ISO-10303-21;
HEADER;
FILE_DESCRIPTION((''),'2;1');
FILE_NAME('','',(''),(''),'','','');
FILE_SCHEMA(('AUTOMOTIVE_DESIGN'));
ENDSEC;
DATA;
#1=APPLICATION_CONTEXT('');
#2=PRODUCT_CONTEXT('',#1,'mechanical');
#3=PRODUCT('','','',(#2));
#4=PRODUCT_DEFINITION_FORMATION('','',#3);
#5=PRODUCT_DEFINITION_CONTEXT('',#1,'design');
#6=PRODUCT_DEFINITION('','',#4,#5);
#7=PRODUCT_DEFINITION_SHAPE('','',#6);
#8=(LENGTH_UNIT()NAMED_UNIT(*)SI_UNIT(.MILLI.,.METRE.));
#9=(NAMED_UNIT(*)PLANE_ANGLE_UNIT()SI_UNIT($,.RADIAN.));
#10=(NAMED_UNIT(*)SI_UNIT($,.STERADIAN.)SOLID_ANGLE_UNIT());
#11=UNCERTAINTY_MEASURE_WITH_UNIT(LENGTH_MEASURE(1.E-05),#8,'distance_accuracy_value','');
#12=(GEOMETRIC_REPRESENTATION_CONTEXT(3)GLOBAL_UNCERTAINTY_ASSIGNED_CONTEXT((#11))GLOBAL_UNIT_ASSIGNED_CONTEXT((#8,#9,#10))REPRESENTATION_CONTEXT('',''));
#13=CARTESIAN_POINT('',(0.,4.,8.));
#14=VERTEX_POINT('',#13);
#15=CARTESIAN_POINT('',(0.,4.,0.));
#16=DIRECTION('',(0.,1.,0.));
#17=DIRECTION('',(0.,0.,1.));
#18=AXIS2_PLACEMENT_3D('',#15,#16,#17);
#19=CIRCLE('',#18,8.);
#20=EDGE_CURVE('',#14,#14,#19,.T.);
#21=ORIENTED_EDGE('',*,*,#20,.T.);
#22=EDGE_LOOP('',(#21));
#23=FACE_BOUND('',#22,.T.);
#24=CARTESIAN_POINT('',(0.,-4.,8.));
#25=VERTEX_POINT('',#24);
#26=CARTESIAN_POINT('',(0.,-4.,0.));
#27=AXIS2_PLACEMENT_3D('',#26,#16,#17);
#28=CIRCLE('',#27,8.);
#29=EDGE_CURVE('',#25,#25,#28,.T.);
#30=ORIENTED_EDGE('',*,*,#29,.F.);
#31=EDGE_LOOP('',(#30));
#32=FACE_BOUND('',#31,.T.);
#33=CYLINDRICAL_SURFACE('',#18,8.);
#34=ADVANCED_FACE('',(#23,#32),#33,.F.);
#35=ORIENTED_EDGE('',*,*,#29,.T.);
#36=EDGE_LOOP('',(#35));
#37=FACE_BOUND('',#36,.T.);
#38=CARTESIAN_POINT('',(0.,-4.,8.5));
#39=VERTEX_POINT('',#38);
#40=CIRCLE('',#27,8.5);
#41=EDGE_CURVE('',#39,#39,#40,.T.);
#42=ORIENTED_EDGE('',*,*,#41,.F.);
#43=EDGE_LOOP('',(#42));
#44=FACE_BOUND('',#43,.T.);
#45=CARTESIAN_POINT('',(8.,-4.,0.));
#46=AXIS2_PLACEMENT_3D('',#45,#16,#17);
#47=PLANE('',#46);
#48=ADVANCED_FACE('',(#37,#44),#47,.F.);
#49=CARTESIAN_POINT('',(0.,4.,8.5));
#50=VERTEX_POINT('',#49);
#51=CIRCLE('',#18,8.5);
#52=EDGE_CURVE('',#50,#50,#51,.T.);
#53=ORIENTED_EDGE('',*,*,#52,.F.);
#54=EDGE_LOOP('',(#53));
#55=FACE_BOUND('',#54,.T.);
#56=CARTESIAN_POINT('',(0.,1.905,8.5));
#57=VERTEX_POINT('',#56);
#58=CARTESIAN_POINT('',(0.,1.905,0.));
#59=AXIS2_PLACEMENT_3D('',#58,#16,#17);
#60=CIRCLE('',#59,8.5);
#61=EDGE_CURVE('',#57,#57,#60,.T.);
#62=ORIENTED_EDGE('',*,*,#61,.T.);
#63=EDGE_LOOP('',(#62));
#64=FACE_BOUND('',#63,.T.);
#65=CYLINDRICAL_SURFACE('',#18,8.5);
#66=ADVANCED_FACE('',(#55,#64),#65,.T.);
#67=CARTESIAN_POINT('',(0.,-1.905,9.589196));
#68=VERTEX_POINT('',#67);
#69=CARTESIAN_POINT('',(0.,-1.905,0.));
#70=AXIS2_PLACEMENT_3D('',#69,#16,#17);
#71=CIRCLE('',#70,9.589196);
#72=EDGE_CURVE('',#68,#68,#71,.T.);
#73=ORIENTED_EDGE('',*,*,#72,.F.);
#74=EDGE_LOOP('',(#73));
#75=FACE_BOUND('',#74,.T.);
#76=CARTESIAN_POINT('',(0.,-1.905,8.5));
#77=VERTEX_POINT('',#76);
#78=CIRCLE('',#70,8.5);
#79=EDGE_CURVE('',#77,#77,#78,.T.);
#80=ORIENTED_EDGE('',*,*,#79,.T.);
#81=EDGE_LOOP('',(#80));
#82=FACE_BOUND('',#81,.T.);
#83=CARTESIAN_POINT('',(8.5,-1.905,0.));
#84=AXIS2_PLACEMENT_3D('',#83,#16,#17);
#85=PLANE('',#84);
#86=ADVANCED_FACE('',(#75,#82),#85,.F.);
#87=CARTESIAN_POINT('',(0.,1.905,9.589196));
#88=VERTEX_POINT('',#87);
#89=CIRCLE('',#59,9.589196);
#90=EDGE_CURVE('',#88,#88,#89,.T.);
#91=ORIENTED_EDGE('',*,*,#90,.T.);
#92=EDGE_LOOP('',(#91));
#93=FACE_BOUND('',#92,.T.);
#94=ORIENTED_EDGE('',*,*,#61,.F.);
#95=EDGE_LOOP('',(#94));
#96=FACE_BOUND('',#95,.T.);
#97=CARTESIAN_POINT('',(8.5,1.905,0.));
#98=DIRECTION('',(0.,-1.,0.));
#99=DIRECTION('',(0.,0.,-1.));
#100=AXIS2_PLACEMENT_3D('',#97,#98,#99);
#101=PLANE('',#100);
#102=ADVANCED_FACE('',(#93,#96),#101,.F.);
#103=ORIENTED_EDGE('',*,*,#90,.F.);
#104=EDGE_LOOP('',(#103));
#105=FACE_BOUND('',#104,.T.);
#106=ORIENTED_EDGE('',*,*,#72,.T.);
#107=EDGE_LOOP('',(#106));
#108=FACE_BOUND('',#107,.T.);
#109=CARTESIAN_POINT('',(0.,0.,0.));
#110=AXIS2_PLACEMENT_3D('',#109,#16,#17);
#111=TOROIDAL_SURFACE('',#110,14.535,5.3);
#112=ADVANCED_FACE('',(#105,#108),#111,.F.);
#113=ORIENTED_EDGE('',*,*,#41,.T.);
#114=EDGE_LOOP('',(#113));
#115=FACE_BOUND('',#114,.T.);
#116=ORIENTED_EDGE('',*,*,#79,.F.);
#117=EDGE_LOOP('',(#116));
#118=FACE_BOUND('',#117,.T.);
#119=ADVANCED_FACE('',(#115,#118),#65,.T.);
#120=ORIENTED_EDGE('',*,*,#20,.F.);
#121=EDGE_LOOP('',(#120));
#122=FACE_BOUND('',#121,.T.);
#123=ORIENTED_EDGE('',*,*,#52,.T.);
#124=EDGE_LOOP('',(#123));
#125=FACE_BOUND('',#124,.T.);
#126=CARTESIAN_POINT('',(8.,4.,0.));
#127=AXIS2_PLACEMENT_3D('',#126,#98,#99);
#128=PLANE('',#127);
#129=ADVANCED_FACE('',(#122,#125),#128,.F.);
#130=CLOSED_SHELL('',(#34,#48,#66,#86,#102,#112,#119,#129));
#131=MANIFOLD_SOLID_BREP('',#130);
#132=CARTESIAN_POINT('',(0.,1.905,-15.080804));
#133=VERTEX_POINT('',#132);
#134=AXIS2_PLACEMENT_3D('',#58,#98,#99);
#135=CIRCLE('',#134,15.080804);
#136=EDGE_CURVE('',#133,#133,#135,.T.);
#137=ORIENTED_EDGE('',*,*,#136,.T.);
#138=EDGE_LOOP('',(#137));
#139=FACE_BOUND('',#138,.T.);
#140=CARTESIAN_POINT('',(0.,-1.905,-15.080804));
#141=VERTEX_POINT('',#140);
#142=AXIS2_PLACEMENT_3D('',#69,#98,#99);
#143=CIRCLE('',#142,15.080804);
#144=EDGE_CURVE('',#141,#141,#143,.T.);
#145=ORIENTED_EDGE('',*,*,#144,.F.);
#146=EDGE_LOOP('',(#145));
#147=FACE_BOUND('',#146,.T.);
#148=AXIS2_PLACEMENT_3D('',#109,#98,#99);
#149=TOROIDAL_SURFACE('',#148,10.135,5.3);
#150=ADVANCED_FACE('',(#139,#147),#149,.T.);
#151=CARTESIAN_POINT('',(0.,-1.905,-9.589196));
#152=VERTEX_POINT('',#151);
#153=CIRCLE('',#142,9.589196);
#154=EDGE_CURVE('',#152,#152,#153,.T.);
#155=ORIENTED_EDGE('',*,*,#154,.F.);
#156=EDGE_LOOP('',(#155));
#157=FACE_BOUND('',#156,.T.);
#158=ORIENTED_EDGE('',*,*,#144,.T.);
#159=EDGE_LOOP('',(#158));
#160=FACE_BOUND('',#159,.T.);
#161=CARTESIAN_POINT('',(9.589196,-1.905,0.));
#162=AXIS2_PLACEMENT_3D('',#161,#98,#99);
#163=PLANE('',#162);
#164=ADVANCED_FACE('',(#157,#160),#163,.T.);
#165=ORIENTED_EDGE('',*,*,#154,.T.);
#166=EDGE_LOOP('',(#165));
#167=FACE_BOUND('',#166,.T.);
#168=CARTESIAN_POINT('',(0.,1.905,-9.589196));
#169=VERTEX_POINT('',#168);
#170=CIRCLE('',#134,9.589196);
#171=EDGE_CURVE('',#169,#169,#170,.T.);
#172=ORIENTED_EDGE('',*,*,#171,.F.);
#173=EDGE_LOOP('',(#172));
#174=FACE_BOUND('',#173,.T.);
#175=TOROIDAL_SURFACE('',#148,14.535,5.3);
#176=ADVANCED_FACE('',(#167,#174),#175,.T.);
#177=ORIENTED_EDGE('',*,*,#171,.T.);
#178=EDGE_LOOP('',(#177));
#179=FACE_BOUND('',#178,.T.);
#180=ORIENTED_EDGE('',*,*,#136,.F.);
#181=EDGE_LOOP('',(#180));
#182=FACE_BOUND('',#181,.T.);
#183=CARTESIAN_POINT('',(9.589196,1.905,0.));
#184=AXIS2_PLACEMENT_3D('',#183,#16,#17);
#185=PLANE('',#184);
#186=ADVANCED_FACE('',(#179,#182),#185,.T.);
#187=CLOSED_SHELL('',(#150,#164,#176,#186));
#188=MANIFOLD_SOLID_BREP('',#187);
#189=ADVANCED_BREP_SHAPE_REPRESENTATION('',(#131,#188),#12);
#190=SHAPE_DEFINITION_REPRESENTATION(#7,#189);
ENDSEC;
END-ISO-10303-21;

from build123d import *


with BuildPart() as part:
    # Sketch1 → Revolve1 (revolve)
    with BuildSketch(Plane.XY):
        with BuildLine():
            Line((8, 4), (8, -4))
            Line((8, -4), (8.5, -4))
            Line((8.5, -4), (8.5, -1.905))
            Line((8.5, -1.905), (9.589196223, -1.905))
            ThreePointArc((9.589196223, -1.905), (9.235, 0), (9.589196223, 1.905))
            Line((9.589196223, 1.905), (8.5, 1.905))
            Line((8.5, 1.905), (8.5, 4))
            Line((8.5, 4), (8, 4))
        make_face()
    revolve(axis=Axis((0, 4, 0), (0, -1, 0)))


with BuildPart() as body_2:
    # Sketch2 → Revolve2 (revolve)
    with BuildSketch(Plane.XY):
        with BuildLine():
            Line((9.589196223, 1.905), (15.080803777, 1.905))
            ThreePointArc((15.080803777, 1.905), (15.435, 0), (15.080803777, -1.905))
            Line((15.080803777, -1.905), (9.589196223, -1.905))
            ThreePointArc((9.589196223, -1.905), (9.235, 0), (9.589196223, 1.905))
        make_face()
    revolve(axis=Axis((0, -4, 0), (0, 1, 0)))


solid = Compound([part.part, body_2.part])
